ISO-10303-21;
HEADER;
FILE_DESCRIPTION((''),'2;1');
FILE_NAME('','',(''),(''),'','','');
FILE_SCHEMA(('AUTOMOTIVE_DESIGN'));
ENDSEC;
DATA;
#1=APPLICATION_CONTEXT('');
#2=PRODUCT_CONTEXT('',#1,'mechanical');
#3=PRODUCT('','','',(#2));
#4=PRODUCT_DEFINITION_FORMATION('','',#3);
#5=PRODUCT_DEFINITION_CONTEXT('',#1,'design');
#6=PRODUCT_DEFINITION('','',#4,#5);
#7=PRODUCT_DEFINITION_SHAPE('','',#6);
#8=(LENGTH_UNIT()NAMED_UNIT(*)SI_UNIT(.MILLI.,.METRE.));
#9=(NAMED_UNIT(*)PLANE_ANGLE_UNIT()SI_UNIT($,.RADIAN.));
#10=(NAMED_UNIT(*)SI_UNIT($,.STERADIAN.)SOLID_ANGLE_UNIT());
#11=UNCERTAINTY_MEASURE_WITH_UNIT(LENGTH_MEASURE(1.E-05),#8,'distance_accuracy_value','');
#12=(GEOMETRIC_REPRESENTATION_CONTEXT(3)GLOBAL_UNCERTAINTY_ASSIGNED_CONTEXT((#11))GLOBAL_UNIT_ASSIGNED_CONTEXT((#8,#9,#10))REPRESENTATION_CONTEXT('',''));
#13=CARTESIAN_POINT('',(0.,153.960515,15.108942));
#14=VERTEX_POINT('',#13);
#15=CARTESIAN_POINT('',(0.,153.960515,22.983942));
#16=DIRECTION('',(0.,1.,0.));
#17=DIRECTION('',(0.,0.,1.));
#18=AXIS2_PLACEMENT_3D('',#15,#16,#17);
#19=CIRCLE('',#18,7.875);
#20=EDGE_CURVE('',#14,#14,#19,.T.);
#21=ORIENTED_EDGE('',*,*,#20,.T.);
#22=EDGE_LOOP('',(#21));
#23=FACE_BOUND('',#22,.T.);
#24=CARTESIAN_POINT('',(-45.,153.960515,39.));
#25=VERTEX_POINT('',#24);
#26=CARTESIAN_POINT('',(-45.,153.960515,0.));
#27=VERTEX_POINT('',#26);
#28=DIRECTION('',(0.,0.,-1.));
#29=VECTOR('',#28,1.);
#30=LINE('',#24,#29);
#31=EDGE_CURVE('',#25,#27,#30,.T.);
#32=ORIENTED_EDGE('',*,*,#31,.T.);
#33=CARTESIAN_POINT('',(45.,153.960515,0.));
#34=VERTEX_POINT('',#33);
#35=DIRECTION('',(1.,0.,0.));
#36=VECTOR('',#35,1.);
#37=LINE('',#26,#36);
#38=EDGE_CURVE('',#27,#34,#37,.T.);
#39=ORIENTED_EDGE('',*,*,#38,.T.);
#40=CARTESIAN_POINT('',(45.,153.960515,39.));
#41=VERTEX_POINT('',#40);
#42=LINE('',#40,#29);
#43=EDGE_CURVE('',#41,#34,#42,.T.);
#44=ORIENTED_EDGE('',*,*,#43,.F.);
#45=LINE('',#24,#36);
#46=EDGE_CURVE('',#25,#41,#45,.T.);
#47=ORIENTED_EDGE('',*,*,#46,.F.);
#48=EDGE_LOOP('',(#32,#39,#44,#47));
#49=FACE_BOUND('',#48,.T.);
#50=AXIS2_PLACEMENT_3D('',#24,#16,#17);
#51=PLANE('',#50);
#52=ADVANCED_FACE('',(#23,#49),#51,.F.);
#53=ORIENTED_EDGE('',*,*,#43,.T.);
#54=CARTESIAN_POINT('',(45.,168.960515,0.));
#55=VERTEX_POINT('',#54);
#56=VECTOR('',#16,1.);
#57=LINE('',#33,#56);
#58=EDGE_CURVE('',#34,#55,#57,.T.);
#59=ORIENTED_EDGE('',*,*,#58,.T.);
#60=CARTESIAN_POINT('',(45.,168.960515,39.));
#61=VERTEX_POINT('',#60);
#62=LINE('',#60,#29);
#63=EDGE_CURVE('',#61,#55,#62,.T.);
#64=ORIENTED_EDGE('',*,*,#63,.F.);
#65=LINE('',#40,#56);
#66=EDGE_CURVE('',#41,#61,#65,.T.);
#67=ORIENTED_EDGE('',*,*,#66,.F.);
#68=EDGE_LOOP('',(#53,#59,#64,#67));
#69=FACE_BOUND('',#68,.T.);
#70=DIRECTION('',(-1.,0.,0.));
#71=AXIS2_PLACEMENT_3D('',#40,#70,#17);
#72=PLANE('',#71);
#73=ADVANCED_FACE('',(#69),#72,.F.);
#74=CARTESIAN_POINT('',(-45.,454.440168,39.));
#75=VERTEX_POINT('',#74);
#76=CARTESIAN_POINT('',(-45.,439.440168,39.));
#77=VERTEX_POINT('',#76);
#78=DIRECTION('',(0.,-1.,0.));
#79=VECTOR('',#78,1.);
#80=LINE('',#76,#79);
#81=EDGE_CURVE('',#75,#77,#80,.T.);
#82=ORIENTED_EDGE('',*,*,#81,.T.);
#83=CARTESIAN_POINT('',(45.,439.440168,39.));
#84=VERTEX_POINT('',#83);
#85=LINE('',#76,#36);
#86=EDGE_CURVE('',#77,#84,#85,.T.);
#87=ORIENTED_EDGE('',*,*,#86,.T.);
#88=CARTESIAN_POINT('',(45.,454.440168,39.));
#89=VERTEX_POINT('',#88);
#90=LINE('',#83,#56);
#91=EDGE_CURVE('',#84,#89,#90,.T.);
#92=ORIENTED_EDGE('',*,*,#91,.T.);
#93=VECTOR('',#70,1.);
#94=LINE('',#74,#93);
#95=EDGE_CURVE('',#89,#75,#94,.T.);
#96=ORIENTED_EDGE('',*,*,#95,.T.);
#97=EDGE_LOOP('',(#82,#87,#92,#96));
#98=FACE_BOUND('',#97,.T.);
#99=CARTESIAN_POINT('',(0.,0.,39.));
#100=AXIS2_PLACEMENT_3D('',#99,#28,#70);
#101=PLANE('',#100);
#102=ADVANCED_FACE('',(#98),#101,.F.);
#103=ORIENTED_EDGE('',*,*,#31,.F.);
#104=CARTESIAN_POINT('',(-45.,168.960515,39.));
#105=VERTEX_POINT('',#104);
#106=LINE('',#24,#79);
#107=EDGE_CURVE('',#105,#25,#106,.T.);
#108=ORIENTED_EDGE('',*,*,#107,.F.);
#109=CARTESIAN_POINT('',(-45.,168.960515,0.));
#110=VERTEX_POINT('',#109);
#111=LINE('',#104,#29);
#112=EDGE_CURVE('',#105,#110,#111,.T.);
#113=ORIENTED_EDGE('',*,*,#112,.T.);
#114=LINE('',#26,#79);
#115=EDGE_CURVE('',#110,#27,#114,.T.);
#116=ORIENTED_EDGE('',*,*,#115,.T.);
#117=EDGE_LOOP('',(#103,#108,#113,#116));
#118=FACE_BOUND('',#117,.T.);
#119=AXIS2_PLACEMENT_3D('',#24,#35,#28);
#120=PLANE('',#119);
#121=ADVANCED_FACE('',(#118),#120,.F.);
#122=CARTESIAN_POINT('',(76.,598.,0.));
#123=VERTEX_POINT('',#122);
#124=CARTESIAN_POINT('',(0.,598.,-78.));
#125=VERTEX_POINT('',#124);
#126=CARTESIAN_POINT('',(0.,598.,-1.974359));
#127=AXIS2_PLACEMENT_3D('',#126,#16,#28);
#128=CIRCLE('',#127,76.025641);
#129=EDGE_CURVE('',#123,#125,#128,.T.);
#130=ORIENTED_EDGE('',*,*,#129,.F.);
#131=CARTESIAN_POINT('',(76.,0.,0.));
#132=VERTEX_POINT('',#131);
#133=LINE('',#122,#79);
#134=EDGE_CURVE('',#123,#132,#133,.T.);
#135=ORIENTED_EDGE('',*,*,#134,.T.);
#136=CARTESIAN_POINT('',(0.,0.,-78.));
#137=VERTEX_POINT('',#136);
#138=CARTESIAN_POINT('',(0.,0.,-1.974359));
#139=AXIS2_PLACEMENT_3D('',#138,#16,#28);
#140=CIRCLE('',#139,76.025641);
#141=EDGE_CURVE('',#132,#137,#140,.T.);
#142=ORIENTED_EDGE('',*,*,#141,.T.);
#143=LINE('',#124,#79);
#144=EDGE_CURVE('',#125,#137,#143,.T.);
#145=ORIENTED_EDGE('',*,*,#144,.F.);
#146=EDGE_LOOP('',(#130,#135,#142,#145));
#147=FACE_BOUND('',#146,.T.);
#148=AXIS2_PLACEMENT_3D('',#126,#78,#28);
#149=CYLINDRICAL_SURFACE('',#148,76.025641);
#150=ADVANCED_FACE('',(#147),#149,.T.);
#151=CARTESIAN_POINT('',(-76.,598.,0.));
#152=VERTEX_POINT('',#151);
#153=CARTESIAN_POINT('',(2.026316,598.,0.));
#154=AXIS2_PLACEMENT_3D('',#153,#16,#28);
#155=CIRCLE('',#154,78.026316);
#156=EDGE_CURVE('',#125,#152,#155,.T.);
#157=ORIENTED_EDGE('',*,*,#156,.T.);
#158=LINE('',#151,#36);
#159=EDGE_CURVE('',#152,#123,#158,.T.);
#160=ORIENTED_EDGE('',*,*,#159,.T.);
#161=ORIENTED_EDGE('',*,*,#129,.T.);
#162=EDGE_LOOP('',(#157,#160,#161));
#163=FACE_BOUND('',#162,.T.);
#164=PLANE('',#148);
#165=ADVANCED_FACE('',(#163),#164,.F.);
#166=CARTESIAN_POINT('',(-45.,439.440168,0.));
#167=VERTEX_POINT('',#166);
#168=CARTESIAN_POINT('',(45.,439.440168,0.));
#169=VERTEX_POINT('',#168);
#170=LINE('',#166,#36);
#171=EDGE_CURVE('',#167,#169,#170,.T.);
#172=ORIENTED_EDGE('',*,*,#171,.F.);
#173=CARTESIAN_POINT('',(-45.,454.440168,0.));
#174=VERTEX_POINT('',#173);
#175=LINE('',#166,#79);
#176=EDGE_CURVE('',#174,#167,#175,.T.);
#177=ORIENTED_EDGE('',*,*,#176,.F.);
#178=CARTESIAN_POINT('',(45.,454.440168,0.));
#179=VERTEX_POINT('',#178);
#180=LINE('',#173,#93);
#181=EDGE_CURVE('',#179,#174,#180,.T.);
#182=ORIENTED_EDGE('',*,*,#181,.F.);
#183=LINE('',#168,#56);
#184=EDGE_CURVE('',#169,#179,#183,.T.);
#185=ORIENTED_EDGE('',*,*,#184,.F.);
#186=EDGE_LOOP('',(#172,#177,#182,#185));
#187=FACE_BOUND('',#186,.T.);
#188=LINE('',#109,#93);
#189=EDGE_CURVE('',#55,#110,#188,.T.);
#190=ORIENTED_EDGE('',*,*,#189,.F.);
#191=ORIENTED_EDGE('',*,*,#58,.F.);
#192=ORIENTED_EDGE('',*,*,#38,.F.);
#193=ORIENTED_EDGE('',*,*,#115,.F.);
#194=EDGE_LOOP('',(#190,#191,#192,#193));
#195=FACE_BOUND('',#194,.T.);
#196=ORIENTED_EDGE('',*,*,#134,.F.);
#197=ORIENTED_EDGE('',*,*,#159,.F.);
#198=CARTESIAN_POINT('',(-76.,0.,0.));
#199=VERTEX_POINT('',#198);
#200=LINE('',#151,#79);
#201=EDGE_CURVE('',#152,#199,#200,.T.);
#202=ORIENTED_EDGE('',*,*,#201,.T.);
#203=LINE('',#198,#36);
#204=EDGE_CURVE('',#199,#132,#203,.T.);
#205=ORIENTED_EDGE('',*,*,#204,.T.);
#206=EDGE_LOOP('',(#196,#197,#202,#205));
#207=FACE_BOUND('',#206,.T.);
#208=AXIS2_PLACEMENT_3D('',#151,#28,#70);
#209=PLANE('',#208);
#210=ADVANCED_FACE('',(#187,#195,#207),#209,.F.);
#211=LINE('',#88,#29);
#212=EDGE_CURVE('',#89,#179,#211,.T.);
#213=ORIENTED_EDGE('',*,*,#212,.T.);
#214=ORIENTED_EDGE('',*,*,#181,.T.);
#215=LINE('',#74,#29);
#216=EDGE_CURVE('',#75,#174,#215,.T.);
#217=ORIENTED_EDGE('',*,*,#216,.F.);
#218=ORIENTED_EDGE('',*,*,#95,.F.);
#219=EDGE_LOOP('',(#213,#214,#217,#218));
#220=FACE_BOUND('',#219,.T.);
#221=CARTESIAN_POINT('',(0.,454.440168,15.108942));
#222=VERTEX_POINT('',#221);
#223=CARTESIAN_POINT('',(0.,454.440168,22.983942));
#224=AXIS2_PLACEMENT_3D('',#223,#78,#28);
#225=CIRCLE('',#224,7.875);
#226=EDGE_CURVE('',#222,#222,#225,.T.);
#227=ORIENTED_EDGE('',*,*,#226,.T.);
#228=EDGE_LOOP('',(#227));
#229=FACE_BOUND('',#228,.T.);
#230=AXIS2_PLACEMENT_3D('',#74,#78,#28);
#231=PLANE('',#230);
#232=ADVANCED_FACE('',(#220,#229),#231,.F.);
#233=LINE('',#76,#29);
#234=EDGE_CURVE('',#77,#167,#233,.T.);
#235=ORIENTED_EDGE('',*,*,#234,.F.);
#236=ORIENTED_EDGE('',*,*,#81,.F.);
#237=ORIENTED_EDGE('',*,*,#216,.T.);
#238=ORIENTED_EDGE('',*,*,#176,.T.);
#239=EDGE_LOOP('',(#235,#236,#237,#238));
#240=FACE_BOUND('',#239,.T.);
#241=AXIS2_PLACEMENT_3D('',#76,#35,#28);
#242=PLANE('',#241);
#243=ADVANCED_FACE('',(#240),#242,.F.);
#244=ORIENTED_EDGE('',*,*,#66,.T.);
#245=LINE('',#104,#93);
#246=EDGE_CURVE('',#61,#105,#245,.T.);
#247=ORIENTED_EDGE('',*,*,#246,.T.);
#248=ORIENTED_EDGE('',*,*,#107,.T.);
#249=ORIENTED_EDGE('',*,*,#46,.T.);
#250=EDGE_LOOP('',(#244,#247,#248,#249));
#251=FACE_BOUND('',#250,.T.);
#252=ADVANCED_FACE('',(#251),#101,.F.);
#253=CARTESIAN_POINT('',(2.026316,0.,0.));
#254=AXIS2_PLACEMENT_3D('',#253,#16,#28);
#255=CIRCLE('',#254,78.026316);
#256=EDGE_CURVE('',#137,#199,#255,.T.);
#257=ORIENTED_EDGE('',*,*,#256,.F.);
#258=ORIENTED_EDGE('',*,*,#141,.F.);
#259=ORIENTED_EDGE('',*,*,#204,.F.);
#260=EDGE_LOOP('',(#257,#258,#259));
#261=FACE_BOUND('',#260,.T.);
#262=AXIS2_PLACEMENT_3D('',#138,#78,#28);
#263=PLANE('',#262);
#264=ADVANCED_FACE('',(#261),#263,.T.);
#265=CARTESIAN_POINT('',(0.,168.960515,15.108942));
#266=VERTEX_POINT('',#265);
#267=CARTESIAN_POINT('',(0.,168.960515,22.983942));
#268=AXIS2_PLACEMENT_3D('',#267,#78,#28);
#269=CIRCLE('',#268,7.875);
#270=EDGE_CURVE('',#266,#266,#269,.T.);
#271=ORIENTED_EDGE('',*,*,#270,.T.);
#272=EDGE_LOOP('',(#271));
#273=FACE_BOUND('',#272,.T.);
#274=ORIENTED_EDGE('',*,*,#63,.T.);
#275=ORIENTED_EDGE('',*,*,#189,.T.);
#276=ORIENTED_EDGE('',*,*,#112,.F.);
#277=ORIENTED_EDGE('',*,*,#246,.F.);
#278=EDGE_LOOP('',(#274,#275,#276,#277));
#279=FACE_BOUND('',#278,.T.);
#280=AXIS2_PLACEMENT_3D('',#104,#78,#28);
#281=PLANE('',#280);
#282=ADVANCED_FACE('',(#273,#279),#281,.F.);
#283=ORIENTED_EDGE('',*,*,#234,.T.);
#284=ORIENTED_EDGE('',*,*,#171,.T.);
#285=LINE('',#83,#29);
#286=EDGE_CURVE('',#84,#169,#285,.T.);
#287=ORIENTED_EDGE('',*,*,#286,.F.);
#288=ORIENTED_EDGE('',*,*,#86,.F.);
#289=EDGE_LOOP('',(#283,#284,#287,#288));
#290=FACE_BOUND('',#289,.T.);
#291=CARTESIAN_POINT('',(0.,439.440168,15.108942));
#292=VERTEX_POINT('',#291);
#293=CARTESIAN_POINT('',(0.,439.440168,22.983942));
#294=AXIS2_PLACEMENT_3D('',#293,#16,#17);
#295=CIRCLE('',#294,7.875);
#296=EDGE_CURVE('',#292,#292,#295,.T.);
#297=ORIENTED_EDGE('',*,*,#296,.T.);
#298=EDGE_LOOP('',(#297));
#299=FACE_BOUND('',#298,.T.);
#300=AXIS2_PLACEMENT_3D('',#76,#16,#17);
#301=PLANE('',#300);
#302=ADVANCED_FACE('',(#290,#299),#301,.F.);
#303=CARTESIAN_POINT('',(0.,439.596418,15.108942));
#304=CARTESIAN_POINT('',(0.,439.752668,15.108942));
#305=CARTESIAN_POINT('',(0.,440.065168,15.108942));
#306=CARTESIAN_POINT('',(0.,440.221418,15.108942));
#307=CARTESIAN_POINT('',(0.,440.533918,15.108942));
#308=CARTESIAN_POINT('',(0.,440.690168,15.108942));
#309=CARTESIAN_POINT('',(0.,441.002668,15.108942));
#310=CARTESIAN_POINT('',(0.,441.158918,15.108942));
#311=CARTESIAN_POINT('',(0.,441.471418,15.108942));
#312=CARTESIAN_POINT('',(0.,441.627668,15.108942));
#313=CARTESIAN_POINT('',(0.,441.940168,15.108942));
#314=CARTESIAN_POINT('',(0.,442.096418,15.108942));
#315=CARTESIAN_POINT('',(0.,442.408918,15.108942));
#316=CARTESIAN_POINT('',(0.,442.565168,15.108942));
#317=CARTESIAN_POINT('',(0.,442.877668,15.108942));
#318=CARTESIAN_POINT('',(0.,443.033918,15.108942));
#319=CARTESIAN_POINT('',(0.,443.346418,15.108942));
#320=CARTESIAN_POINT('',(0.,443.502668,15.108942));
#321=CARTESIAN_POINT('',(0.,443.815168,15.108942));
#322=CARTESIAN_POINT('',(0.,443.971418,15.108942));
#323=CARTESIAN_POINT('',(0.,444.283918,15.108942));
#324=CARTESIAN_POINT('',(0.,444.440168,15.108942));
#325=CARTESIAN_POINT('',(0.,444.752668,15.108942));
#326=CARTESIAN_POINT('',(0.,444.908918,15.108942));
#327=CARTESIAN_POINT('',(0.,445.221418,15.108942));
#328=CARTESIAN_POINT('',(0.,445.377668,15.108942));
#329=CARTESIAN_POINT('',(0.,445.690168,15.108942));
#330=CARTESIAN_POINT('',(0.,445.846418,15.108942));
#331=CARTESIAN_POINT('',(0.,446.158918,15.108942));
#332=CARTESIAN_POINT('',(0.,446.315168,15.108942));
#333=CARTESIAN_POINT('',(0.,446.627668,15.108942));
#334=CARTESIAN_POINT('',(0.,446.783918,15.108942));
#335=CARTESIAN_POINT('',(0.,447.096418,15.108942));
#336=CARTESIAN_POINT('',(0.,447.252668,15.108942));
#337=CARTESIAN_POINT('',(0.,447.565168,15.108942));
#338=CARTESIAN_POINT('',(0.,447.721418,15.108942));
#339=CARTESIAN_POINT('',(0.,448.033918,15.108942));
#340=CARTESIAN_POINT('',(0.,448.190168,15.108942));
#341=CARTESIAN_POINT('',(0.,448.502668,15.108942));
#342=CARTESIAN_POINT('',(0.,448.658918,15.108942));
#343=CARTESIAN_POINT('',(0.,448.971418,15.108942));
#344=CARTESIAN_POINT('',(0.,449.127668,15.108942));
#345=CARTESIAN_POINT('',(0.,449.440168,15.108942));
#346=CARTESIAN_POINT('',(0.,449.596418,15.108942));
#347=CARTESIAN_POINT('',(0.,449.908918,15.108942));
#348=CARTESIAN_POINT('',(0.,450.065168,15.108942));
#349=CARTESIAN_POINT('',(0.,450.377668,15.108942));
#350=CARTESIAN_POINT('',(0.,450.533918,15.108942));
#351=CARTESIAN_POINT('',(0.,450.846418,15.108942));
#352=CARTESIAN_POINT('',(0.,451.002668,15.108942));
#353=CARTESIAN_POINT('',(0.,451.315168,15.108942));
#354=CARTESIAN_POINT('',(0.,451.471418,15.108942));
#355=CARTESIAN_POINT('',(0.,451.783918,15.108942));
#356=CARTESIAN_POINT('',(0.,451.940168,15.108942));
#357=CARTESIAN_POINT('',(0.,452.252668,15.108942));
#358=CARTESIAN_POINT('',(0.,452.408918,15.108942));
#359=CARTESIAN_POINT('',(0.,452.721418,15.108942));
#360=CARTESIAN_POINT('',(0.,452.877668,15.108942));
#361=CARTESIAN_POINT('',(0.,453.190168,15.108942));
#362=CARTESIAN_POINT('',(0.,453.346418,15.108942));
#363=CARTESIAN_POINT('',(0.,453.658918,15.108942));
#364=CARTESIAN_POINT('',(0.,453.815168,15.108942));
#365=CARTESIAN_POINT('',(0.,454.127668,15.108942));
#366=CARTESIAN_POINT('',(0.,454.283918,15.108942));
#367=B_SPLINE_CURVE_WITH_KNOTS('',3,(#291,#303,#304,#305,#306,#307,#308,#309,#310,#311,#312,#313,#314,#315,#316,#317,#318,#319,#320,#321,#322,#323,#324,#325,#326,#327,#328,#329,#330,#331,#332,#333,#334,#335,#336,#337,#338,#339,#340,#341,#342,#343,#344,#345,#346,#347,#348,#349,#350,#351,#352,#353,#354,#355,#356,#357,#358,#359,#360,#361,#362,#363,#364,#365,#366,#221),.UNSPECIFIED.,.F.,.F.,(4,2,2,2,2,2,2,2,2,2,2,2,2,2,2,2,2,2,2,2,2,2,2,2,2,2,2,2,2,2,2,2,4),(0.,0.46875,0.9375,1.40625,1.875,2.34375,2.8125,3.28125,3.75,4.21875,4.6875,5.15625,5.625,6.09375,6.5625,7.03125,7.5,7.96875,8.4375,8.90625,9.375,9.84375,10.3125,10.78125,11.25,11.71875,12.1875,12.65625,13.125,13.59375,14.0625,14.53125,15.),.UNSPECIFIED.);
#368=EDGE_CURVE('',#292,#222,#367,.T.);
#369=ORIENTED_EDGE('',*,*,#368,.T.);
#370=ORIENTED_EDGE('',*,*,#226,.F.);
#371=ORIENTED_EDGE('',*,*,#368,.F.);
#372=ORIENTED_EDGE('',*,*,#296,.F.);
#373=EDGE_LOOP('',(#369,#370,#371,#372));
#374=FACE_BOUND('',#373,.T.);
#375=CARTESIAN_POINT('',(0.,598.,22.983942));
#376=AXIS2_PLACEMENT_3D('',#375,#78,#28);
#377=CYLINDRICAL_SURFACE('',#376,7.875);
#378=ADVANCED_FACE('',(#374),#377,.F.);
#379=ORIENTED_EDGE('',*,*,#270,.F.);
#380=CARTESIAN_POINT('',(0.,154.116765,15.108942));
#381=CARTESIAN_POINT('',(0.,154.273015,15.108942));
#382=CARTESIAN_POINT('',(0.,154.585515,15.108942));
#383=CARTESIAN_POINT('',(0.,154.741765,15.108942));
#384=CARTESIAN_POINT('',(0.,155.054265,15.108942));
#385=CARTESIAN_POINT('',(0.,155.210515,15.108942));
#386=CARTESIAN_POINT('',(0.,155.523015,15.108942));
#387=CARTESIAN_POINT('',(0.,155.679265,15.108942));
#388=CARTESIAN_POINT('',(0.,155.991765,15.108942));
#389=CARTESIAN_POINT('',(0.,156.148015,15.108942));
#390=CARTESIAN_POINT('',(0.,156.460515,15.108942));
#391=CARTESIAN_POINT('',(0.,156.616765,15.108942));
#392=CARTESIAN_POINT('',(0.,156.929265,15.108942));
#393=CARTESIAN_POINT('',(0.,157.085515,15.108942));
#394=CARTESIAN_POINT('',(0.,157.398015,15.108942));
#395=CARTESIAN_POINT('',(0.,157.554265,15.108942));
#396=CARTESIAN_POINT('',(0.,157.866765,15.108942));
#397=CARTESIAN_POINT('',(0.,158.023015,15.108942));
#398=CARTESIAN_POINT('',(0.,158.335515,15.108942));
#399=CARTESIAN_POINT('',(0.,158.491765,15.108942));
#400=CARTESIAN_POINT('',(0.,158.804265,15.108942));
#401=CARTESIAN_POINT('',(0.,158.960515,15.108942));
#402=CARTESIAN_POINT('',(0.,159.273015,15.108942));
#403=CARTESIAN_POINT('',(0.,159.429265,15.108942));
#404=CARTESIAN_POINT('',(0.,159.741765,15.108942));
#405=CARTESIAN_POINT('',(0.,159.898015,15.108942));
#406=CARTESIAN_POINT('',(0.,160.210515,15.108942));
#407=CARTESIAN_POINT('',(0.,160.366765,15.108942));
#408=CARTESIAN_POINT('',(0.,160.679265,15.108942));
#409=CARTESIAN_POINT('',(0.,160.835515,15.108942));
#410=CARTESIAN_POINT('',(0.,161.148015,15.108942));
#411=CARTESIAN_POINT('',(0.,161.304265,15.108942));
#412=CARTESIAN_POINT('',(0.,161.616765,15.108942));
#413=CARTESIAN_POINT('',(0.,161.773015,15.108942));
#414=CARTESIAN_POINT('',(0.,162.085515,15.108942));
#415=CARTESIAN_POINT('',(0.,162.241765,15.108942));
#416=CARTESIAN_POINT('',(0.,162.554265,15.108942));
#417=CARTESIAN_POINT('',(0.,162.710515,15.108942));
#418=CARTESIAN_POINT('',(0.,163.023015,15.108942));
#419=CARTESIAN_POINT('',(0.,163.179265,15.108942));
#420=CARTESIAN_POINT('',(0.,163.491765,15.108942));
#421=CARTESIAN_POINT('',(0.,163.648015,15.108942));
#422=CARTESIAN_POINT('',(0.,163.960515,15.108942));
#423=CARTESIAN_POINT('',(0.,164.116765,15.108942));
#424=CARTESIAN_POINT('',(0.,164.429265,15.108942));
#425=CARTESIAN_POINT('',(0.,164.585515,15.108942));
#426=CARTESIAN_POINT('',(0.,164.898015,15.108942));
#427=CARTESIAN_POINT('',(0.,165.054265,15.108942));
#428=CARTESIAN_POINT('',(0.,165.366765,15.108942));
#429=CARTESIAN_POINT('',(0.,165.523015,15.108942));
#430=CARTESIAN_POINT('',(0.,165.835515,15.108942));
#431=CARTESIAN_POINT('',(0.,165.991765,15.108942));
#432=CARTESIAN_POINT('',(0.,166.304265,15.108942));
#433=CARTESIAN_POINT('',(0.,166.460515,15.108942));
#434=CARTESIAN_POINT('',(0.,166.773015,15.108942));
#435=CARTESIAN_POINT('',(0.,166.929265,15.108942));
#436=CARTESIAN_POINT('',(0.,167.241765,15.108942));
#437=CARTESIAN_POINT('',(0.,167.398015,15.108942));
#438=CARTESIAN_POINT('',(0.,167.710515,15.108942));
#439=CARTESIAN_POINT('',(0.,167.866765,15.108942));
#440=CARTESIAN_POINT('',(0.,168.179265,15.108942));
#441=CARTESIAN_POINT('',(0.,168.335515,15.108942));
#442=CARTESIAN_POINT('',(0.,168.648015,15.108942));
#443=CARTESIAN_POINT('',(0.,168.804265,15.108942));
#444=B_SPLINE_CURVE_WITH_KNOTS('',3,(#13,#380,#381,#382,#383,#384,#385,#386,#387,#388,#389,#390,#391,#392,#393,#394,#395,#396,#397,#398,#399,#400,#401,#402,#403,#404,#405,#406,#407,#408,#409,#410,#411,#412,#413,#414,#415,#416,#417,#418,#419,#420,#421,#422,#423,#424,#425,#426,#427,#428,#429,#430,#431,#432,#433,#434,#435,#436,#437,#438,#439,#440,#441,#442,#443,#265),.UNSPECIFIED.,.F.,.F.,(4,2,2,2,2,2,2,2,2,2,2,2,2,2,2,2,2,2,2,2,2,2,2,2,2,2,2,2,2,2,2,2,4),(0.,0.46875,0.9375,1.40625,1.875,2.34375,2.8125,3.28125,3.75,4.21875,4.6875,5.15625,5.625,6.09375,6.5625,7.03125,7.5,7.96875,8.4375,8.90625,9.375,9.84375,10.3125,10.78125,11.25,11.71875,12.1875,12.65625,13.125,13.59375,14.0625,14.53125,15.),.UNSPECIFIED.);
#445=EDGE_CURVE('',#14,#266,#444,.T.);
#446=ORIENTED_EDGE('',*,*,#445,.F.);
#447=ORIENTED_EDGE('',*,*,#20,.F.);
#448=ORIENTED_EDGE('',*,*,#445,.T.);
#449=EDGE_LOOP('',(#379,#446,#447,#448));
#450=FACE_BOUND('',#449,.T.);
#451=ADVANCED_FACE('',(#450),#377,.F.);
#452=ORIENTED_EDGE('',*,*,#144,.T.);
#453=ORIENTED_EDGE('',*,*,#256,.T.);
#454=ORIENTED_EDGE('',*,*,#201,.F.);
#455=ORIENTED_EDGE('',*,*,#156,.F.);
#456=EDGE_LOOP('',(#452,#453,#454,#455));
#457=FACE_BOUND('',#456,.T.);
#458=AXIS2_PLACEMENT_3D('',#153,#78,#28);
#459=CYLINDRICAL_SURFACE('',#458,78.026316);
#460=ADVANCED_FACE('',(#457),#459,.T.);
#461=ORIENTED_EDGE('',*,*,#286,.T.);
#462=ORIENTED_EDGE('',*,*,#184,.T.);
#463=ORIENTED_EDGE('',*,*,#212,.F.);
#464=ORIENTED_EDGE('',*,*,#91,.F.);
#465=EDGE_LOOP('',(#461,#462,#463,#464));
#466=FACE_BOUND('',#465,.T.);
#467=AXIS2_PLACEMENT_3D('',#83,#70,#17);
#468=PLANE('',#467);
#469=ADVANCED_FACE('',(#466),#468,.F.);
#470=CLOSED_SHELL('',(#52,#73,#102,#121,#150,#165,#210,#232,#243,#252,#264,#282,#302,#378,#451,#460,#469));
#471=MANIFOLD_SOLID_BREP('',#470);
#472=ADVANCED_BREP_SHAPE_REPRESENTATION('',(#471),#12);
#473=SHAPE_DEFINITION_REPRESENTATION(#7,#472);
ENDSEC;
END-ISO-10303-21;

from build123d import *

# Parameters (mm, degrees)
BOSS_EXTRUDE1_DEPTH     = 598
SKETCH2_W               = 90
SKETCH2_H               = 15
BOSS_EXTRUDE2_DEPTH     = 39
CUT_EXTRUDE1_DEPTH      = 458.203414552
CUT_EXTRUDE1_DEPTH_BACK = 458.203414552
SKETCH3_R               = 7.875


with BuildPart() as part:
    # Sketch1 → Boss-Extrude1 (new body)
    with BuildSketch(Plane(origin=(0, 0, 0), x_dir=(1, 0, 0), z_dir=(0, 1, 0))):
        with BuildLine():
            Line((-76, 0), (76, 0))
            ThreePointArc((76, 0), (54.45181356, 55.029972187), (0, 78))
            ThreePointArc((0, 78), (-53.858440233, 54.45181356), (-76, 0))
        make_face()
    extrude(amount=BOSS_EXTRUDE1_DEPTH)

    # Sketch2 → Boss-Extrude2 (add)
    with BuildSketch(Plane.XY):
        with Locations((0, 446.94016831)):
            Rectangle(SKETCH2_W, SKETCH2_H)
        with Locations((0, 161.460515061)):
            Rectangle(SKETCH2_W, SKETCH2_H)
    extrude(amount=BOSS_EXTRUDE2_DEPTH)

    # Sketch3 → Cut-Extrude1 (cut, two sides: drawn at the far end of the back side and taken through both)
    with BuildSketch(Plane(origin=(0, 153.960515061, 0), x_dir=(-1, 0, 0), z_dir=(0, -1, 0)).offset(-CUT_EXTRUDE1_DEPTH_BACK)):
        with Locations(Location((0, -22.983942377, 0), (0, 0, 90))):
            Circle(SKETCH3_R)
    extrude(amount=CUT_EXTRUDE1_DEPTH + CUT_EXTRUDE1_DEPTH_BACK, mode=Mode.SUBTRACT)


solid = part.part
